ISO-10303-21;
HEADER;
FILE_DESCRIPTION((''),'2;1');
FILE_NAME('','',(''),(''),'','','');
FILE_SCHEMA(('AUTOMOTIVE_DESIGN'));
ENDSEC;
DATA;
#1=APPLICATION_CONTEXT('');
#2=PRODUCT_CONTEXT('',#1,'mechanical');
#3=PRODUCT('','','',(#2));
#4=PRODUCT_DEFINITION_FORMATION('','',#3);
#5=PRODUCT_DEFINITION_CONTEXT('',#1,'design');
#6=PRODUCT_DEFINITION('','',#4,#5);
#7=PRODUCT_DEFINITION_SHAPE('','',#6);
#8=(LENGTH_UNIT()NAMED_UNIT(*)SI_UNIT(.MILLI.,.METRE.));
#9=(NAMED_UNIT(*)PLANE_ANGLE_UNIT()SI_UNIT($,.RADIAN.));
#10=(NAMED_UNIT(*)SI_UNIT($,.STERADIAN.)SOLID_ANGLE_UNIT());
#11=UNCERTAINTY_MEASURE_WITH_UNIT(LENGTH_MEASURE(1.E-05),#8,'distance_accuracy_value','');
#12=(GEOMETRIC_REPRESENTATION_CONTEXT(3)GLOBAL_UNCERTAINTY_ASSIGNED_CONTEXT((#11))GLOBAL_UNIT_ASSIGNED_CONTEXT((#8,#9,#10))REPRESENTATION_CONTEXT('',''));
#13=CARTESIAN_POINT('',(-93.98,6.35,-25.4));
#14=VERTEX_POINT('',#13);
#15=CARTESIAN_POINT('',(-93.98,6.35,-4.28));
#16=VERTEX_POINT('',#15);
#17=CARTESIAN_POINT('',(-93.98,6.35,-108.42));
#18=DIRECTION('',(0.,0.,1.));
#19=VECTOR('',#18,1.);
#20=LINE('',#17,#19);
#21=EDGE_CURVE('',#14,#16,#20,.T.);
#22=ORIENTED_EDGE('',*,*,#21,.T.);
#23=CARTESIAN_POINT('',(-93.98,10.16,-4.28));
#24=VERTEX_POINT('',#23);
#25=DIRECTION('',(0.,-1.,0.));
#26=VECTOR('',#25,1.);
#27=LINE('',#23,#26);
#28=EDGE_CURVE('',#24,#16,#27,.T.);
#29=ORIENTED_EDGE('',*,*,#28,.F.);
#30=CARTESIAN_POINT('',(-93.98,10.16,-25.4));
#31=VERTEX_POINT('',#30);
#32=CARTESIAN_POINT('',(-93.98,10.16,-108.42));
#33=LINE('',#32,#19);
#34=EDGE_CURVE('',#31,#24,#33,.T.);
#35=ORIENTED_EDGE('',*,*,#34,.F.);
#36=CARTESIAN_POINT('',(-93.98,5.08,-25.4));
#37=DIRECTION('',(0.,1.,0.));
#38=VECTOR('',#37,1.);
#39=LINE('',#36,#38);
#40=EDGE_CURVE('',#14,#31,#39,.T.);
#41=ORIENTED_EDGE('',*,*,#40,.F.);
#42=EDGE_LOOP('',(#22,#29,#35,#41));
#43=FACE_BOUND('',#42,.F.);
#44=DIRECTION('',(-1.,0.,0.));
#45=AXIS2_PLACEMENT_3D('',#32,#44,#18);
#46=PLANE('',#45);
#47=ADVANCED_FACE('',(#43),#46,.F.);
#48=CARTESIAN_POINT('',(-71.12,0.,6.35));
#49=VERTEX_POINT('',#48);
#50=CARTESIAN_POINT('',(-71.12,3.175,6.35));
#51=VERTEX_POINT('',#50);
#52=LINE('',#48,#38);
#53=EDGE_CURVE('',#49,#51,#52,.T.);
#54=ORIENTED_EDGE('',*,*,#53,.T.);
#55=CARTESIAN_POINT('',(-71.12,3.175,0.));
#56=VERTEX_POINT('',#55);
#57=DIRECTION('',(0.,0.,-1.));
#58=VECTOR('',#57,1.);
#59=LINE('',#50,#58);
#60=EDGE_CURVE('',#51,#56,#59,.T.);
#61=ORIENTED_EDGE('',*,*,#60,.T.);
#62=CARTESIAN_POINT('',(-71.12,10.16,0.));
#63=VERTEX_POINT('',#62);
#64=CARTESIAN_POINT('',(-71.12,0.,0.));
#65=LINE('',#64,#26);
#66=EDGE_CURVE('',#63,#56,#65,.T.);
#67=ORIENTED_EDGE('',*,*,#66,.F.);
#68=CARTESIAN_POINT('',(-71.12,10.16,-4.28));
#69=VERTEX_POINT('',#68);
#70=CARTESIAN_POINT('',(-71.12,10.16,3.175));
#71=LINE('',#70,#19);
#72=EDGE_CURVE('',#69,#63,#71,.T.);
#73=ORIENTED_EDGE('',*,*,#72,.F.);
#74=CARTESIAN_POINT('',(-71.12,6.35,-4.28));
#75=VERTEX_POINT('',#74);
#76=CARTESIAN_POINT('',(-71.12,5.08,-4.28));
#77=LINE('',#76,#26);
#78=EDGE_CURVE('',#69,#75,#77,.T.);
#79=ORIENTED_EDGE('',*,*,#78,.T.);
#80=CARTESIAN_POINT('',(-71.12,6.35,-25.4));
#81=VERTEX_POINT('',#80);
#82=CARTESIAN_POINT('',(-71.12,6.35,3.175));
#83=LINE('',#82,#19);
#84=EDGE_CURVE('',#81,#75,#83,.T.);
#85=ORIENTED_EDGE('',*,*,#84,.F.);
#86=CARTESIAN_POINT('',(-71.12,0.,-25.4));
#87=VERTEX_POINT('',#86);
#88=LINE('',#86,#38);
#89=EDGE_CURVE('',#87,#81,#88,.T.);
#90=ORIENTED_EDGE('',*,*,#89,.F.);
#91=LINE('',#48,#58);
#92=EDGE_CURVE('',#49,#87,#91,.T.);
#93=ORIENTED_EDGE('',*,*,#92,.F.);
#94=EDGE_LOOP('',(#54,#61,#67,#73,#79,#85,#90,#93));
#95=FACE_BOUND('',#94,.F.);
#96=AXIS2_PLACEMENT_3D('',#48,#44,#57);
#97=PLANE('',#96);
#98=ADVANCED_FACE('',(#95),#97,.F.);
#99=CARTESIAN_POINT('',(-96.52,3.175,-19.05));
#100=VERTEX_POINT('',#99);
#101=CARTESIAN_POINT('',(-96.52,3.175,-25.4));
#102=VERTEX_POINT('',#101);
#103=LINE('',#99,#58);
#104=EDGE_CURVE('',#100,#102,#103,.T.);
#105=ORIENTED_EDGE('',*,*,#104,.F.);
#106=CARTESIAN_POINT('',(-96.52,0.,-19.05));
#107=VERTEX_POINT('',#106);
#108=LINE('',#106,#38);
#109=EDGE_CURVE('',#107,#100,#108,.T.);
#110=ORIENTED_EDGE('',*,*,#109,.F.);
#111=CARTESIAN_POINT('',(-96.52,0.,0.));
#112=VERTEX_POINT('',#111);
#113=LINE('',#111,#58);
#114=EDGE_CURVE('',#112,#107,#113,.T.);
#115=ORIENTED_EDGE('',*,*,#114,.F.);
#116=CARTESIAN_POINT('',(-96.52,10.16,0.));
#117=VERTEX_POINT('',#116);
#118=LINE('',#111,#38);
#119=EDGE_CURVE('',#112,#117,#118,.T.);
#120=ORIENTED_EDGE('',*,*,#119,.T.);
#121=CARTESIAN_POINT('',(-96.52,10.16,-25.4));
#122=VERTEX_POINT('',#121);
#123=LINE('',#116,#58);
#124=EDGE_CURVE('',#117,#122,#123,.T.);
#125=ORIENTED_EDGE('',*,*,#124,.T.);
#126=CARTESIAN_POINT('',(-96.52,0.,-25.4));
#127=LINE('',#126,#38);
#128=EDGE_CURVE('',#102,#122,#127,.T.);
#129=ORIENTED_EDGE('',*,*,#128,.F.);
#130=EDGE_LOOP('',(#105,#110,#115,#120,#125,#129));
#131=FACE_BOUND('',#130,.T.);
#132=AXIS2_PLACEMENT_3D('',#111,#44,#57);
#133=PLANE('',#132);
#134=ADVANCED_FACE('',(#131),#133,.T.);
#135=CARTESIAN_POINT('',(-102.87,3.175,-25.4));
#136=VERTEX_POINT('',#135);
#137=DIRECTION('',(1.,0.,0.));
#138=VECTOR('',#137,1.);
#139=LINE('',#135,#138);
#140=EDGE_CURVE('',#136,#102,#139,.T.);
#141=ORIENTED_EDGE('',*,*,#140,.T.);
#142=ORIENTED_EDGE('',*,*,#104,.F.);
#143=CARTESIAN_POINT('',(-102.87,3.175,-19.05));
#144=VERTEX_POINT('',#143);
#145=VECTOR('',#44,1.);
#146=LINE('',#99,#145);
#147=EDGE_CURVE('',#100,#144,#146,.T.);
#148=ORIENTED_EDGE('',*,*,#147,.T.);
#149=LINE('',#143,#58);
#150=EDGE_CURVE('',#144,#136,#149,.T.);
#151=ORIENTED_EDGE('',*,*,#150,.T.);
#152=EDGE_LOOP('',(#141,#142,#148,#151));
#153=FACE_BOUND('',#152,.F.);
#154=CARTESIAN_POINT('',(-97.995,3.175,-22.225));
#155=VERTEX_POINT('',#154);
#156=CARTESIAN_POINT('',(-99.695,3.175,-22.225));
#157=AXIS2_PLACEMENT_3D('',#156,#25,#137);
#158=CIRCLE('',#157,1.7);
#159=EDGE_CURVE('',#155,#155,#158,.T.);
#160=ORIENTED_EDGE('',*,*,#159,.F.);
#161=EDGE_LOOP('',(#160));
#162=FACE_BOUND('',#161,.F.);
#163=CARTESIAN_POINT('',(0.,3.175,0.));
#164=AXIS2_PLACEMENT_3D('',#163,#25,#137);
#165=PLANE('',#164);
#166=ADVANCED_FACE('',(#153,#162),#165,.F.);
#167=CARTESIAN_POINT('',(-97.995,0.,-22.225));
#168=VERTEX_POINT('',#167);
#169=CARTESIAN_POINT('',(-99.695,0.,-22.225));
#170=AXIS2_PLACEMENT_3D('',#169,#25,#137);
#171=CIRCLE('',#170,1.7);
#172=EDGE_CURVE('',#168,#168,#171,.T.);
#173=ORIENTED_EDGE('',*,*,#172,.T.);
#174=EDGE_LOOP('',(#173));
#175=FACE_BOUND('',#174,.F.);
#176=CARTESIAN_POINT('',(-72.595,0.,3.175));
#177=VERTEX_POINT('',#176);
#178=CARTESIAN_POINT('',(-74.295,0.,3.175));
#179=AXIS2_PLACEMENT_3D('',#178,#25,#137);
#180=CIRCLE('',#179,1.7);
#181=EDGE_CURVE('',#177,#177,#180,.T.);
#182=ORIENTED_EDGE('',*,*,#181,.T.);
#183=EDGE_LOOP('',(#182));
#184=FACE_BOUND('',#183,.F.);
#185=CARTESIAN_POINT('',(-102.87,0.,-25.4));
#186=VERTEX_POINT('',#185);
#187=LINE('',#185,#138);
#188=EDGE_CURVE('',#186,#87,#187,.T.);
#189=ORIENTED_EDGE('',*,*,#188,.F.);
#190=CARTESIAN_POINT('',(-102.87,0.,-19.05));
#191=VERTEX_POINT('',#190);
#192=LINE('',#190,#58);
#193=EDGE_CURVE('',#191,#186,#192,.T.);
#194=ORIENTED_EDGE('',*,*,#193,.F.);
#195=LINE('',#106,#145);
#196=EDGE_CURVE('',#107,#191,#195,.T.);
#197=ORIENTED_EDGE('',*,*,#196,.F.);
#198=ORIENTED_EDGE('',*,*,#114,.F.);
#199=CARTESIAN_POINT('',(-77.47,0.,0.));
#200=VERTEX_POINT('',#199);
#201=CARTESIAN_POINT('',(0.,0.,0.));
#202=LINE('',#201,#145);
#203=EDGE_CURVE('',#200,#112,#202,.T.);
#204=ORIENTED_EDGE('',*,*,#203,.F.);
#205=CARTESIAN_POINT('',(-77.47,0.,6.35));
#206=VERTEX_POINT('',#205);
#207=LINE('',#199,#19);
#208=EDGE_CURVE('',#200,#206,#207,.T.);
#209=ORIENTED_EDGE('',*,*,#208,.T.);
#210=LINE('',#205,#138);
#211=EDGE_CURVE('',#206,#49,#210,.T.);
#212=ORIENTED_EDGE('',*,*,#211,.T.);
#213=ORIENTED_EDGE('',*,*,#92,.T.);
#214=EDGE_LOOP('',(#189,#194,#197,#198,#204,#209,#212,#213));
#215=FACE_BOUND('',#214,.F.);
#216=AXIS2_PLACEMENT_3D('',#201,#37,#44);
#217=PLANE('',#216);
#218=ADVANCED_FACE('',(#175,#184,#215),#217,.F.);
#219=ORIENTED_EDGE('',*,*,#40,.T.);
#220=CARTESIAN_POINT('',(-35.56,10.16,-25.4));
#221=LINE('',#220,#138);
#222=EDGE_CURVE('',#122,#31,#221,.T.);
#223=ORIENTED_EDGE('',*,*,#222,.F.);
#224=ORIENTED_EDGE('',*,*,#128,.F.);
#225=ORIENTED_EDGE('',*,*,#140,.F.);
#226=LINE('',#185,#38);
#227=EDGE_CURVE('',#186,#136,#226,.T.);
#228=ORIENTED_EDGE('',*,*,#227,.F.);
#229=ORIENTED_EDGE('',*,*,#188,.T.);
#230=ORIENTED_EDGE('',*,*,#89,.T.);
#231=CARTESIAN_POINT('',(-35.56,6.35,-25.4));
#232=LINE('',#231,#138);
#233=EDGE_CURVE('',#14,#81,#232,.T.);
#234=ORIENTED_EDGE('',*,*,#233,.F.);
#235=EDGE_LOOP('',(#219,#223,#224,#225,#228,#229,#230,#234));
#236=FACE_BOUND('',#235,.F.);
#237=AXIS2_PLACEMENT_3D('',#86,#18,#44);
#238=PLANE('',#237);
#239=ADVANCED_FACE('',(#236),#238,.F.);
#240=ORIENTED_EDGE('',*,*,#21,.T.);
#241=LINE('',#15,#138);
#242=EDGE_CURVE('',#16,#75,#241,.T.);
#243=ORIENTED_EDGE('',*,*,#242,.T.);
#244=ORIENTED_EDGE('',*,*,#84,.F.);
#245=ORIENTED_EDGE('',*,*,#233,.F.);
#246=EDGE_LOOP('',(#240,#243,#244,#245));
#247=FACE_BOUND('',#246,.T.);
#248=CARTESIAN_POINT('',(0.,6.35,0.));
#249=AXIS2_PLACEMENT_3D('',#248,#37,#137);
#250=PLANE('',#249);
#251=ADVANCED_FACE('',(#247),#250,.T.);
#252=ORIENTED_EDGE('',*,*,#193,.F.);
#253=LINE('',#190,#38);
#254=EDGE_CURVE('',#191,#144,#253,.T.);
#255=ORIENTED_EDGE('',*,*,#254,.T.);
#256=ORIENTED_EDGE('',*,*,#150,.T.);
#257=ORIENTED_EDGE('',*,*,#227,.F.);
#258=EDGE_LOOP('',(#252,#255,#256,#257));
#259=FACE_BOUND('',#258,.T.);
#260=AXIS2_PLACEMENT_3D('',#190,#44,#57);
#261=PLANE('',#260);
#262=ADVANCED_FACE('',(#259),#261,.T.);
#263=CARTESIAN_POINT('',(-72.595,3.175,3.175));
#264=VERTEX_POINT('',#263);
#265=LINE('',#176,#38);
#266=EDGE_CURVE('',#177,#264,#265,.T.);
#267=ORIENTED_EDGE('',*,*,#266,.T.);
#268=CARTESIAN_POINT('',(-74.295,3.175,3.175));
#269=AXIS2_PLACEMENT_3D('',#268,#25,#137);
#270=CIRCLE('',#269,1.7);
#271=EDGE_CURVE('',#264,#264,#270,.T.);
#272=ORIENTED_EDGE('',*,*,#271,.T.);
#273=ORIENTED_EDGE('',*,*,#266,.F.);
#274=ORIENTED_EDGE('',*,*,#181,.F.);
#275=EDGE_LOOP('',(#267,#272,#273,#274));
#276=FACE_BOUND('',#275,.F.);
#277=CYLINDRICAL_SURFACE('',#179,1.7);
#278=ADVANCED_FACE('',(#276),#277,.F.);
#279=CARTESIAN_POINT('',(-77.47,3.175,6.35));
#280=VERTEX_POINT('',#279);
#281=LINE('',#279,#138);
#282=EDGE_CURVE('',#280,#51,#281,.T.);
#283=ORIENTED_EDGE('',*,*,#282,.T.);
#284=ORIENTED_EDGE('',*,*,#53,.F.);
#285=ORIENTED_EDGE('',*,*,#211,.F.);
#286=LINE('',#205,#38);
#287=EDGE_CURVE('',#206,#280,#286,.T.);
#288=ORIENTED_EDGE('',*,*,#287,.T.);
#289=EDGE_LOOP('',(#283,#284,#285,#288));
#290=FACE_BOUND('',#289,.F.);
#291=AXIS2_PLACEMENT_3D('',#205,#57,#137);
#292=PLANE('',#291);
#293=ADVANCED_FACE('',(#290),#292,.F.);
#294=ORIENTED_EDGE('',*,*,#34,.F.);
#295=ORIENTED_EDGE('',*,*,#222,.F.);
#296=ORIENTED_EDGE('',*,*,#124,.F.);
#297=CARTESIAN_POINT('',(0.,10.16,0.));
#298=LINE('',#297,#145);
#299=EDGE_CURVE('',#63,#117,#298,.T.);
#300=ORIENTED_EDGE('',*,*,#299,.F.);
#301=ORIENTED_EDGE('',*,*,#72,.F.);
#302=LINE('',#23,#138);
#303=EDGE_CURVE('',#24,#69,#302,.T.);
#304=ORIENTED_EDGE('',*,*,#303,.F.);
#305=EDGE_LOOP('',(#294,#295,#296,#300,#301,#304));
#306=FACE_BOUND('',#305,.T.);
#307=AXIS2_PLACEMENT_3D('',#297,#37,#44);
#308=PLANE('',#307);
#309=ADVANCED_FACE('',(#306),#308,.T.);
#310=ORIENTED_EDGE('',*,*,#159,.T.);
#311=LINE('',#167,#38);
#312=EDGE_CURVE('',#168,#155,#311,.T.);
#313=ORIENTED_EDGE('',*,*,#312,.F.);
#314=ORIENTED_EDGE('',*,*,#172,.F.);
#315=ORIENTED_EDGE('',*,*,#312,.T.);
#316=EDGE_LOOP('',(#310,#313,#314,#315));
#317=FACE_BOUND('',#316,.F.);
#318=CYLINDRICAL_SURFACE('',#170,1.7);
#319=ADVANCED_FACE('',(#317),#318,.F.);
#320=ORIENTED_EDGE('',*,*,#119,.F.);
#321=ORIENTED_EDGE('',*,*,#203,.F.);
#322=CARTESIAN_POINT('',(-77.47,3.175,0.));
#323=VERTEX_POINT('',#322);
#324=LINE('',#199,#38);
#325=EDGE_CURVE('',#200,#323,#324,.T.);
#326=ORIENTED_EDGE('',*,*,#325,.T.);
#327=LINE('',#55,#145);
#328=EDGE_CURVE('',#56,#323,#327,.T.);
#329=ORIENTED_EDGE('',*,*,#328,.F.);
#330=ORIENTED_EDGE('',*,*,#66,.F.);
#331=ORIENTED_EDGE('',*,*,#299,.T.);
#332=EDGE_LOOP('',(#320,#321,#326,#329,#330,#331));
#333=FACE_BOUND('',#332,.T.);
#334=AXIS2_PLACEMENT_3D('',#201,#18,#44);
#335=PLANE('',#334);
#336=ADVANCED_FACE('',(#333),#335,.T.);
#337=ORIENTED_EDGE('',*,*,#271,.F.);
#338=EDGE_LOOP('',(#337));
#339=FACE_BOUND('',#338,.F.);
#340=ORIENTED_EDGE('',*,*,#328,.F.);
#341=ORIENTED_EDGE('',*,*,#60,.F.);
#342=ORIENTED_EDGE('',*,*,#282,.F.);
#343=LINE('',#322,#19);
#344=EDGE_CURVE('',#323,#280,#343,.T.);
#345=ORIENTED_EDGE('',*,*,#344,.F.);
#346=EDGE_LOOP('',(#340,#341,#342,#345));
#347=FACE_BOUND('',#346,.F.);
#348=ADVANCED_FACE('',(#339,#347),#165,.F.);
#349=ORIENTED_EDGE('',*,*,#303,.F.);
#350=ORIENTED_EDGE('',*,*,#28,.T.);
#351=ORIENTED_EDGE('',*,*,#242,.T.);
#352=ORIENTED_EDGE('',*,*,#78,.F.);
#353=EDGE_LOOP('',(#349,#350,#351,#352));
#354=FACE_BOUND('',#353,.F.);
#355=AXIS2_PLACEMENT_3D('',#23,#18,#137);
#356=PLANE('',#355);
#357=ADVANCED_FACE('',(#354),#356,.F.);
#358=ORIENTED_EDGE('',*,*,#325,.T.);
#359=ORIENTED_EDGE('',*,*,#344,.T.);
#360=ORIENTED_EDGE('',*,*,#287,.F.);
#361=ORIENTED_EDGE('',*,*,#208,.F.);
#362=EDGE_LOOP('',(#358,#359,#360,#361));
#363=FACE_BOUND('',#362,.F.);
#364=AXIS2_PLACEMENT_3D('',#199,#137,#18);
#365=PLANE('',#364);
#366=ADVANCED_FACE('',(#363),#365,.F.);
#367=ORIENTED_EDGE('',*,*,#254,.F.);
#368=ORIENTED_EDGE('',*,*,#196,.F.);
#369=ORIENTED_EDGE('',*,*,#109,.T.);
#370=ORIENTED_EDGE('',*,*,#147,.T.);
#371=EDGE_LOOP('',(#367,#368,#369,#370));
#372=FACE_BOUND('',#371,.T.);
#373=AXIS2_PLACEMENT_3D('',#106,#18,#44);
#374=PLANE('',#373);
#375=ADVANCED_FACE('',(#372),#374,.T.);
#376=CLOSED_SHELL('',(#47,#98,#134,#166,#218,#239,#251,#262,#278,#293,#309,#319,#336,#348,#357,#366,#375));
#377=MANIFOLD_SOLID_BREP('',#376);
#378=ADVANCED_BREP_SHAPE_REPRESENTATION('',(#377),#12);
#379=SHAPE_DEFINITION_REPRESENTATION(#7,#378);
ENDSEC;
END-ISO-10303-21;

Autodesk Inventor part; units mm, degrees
ref_plane "YZ Plane" through (0, 0, 0) normal (1, 0, 0) x (0, 1, 0)
ref_plane "XZ Plane" through (0, 0, 0) normal (0, 1, 0) x (-1, 0, 0)
ref_plane "XY Plane" through (0, 0, 0) normal (0, 0, 1) x (1, 0, 0)
sketch "Sketch1" plane through (0, 0, 0) normal (0, 1, 0) x (-1, 0, 0)
  line L0 (0, 0) -> (96.52, 0)
  line L1 (96.52, 0) -> (96.52, -112.7)
  line L2 (96.52, -112.7) -> (0, -112.7)
  line L3 (0, -112.7) -> (0, 0)
  dimension "d0" = 96.52
  dimension "d1" = 112.7
extrude "Extrusion1" add sketch "Sketch1" along normal blind 10.16
sketch "Sketch2" plane through (0, 10.16, 0) normal (0, 1, 0) x (1, 0, 0)
  line L0 (-96.52, 112.7) -> (-96.52, 0) construction
  line L1 (0, 0) -> (0, 112.7) construction
  line L2 (-96.52, 0) -> (0, 112.7) construction
  line L3 (0, 112.7) -> (-96.52, 112.7) construction
  line L4 (-96.52, 112.7) -> (0, 0) construction
  line L5 (-93.98, 4.28) -> (-2.54, 4.28)
  line L6 (-2.54, 4.28) -> (-2.54, 108.42)
  line L7 (-2.54, 108.42) -> (-93.98, 108.42)
  line L8 (-93.98, 108.42) -> (-93.98, 4.28)
  line L9 (-93.98, 4.28) -> (-2.54, 108.42) construction
  line L10 (-2.54, 4.28) -> (-93.98, 108.42) construction
  point P0 (-48.26, 56.35)
  dimension "d4" = 91.44
  dimension "d5" = 104.14
extrude "Jetson Cavity" cut sketch "Sketch2" against normal blind 3.81
sketch "Sketch3" plane through (0, 0, 0) normal (0, -1, 0) x (1, 0, 0)
  line L0 (0, -19.05) -> (6.35, -19.05)
  line L1 (6.35, -19.05) -> (6.35, -25.4)
  line L2 (6.35, -25.4) -> (0, -25.4)
  circle A0 centre (3.175, -22.225) radius 1.7
  line L3 (6.35, -25.4) -> (0, -19.05) construction
  line L4 (6.35, -19.05) -> (0, -25.4) construction
  line L5 (0, 0) -> (0, -112.7) construction
  line L6 (0, -56.35) -> (-96.52, -56.35) construction
  line L7 (-96.52, -112.7) -> (-96.52, 0) construction
  line L8 (0, -112.7) -> (-96.52, -112.7) construction
  line L9 (-48.26, -112.7) -> (-48.26, 0) construction
  line L10 (-96.52, 0) -> (0, 0) construction
  line L11 (-96.52, 0) -> (-96.52, -112.7) construction
  line L12 (0, 0) -> (27.0549, 0) construction
  line L13 (0, -19.05) -> (0, -25.4)
  line L14 (-96.52, -19.05) -> (-102.87, -19.05)
  line L15 (-102.87, -19.05) -> (-102.87, -25.4)
  line L16 (-102.87, -25.4) -> (-96.52, -25.4)
  circle A1 centre (-99.695, -22.225) radius 1.7
  line L17 (-102.87, -25.4) -> (-96.52, -19.05) construction
  line L18 (-102.87, -19.05) -> (-96.52, -25.4) construction
  line L19 (-96.52, 0) -> (-96.52, -112.7) construction
  line L20 (-96.52, -19.05) -> (-96.52, -25.4)
  line L21 (0, -93.65) -> (6.35, -93.65)
  line L22 (6.35, -93.65) -> (6.35, -87.3)
  line L23 (6.35, -87.3) -> (0, -87.3)
  circle A2 centre (3.175, -90.475) radius 1.7
  line L24 (6.35, -87.3) -> (0, -93.65) construction
  line L25 (6.35, -93.65) -> (0, -87.3) construction
  line L26 (0, -112.7) -> (0, 0) construction
  line L27 (0, -93.65) -> (0, -87.3)
  line L28 (-96.52, -93.65) -> (-96.52, -87.3)
  circle A3 centre (-99.695, -90.475) radius 1.7
  line L29 (-102.87, -87.3) -> (-96.52, -93.65) construction
  line L30 (-102.87, -93.65) -> (-102.87, -87.3)
  line L31 (-102.87, -87.3) -> (-96.52, -87.3)
  line L32 (-102.87, -93.65) -> (-96.52, -87.3) construction
  line L33 (-96.52, -93.65) -> (-102.87, -93.65)
  line L34 (-77.47, 6.35) -> (-71.12, 6.35)
  line L35 (-71.12, 6.35) -> (-71.12, 0)
  line L36 (-71.12, 0) -> (-77.47, 0)
  line L37 (-77.47, 0) -> (-77.47, 6.35)
  line L38 (-77.47, 6.35) -> (-71.12, 0) construction
  line L39 (-71.12, 6.35) -> (-77.47, 0) construction
  circle A4 centre (-74.295, 3.175) radius 1.7
  line L40 (-96.52, 0) -> (-96.52, 26.4088) construction
  line L41 (-19.05, 6.35) -> (-25.4, 6.35)
  line L42 (-25.4, 6.35) -> (-25.4, 0)
  line L43 (-25.4, 0) -> (-19.05, 0)
  line L44 (-19.05, 0) -> (-19.05, 6.35)
  line L45 (-19.05, 6.35) -> (-25.4, 0) construction
  line L46 (-25.4, 6.35) -> (-19.05, 0) construction
  circle A5 centre (-22.225, 3.175) radius 1.7
  line L47 (-77.47, -119.05) -> (-71.12, -119.05)
  line L48 (-71.12, -119.05) -> (-71.12, -112.7)
  line L49 (-71.12, -112.7) -> (-77.47, -112.7)
  line L50 (-77.47, -112.7) -> (-77.47, -119.05)
  line L51 (-77.47, -119.05) -> (-71.12, -112.7) construction
  line L52 (-71.12, -119.05) -> (-77.47, -112.7) construction
  circle A6 centre (-74.295, -115.875) radius 1.7
  line L53 (-25.4, -112.7) -> (-19.05, -112.7)
  line L54 (-25.4, -119.05) -> (-25.4, -112.7)
  circle A7 centre (-22.225, -115.875) radius 1.7
  line L55 (-19.05, -112.7) -> (-19.05, -119.05)
  line L56 (-19.05, -119.05) -> (-25.4, -112.7) construction
  line L57 (-25.4, -119.05) -> (-19.05, -112.7) construction
  line L58 (-19.05, -119.05) -> (-25.4, -119.05)
  point P0 (-77.47, 3.175)
  point P1 (-19.05, 3.175)
  point P2 (-77.47, -115.875)
  point P3 (-19.05, -115.875)
  dimension "d10" = 3.4
  dimension "d28" = 6.35
  dimension "d29" = 6.35
  dimension "d30" = 19.05
  dimension "d31" = 6.35
  dimension "d32" = 6.35
  dimension "d33" = 3.4
  dimension "d34" = 19.05
extrude "Screws" add sketch "Sketch3" against normal blind 3.175
sketch "Sketch5" plane through (0, 0, 0) normal (0, -1, 0) x (1, 0, 0)
  line L0 (-102.87, 6.35) -> (-71.12, 6.35)
  line L1 (-71.12, 6.35) -> (-71.12, -25.4)
  line L2 (-71.12, -25.4) -> (-102.87, -25.4)
  line L3 (-102.87, -25.4) -> (-102.87, 6.35)
  line L4 (-71.12, 6.35) -> (-77.47, 6.35) projected
  line L5 (-102.87, -19.05) -> (-102.87, -25.4) projected
  line L6 (-96.52, -19.05) -> (-96.52, 0) projected
  line L7 (-96.52, 0) -> (-77.47, 0) projected
  line L8 (-102.87, 6.35) -> (6.35, 6.35)
  line L9 (6.35, 6.35) -> (6.35, -119.05)
  line L10 (6.35, -119.05) -> (-102.87, -119.05)
  line L11 (-102.87, -119.05) -> (-102.87, 6.35)
  line L12 (6.35, -93.65) -> (6.35, -87.3) projected
  line L13 (-25.4, -119.05) -> (-19.05, -119.05) projected
  dimension "d35" = 25.4
  dimension "d36" = 25.4
extrude "Extrusion5" cut sketch "Sketch5" against normal through all contours L8 L9 L10 L11 L2 L1
equation "\"d10\" = m3_clearance"
equation "\"d33\" = m3_clearance"
equation "\"m3_heat_set_insert\" = 4"
equation "\"m3_clearance\" = 3.4"
equation "\"m3_heat_set_depth\" = 7"
equation "\"robot_diameter\" = 354"
equation "\"hardboard_thickness\" = 5"
properties part number "jetson_orin_nano_holder_corner_2"
